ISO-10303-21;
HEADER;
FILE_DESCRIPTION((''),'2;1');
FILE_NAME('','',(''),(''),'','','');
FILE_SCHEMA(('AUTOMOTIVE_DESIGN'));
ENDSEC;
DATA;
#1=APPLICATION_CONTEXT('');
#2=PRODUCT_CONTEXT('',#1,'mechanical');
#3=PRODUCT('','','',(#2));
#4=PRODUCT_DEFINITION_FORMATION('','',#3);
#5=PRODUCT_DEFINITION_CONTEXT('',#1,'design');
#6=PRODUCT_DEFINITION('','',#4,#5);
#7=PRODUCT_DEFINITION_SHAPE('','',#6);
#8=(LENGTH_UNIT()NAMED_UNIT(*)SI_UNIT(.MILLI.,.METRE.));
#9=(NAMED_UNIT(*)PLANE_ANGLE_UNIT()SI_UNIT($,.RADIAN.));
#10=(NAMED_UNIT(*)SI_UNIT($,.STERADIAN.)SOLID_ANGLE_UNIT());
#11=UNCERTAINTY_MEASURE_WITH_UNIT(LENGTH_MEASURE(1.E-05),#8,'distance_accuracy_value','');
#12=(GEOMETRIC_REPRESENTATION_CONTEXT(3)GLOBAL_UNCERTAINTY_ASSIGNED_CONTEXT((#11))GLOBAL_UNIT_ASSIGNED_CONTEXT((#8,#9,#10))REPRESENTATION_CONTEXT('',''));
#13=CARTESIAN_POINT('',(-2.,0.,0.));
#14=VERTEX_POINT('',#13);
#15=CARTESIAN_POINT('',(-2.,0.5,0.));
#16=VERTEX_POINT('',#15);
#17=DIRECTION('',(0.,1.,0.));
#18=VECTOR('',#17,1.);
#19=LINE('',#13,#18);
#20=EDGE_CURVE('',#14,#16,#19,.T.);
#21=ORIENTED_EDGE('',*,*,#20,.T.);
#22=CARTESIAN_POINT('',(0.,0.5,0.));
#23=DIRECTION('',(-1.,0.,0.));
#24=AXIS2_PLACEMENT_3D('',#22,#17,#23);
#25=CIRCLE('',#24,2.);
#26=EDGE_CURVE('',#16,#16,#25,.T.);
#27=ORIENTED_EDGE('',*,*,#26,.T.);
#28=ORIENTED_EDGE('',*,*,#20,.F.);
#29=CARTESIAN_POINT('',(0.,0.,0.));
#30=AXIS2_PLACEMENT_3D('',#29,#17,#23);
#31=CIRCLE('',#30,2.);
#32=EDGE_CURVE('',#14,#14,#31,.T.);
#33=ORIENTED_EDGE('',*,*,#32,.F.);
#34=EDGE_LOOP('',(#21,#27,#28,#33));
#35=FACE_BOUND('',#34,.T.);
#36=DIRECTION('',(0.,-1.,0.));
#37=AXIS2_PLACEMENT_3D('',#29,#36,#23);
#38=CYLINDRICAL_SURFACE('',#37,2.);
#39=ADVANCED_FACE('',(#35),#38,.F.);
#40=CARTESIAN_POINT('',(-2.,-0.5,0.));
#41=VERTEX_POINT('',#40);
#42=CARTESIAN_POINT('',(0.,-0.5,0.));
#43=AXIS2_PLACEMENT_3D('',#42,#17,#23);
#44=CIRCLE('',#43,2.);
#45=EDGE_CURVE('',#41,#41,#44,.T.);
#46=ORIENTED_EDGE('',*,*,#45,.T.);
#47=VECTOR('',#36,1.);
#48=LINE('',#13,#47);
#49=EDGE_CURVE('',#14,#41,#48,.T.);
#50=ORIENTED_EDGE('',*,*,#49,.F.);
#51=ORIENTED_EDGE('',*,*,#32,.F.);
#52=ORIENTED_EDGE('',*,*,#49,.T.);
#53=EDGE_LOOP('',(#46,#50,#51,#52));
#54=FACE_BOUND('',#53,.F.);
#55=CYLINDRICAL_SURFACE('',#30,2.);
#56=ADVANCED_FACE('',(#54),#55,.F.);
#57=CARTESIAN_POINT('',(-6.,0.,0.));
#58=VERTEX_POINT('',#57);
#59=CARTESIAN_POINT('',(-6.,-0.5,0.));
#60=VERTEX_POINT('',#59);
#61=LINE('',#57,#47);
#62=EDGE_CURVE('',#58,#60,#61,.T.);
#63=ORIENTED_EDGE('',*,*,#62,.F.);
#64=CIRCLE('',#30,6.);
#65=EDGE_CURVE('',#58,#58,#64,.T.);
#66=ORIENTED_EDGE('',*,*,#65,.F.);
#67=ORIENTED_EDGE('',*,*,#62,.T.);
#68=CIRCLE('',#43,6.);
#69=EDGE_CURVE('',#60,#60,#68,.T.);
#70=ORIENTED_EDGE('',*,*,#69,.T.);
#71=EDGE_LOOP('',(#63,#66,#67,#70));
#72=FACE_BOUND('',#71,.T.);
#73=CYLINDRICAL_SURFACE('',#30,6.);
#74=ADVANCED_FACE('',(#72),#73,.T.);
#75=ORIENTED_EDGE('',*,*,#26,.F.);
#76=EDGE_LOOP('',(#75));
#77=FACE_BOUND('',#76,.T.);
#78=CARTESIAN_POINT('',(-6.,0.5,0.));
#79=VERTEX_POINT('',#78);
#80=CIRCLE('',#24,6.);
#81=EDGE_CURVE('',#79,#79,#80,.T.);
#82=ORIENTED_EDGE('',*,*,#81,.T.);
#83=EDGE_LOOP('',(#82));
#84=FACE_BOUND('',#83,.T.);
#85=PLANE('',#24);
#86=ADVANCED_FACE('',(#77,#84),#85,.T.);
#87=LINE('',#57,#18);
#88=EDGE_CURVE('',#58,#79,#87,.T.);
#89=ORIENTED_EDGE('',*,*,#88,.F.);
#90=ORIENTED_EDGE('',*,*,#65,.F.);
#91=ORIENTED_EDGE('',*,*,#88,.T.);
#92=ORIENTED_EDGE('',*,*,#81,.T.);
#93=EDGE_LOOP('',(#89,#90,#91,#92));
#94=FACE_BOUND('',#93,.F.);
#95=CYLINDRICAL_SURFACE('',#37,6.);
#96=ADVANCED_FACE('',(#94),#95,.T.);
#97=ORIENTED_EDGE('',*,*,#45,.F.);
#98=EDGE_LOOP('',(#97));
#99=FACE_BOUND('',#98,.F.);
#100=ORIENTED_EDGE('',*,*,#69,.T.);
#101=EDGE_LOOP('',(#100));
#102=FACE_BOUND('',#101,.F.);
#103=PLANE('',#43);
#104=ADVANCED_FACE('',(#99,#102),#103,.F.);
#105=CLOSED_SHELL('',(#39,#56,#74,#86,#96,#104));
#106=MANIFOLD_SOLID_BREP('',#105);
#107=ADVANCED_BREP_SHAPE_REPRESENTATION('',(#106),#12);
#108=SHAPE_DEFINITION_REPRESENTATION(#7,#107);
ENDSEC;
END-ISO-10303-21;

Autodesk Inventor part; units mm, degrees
ref_plane "YZ Plane" through (0, 0, 0) normal (1, 0, 0) x (0, 1, 0)
ref_plane "XZ Plane" through (0, 0, 0) normal (0, 1, 0) x (-1, 0, 0)
ref_plane "XY Plane" through (0, 0, 0) normal (0, 0, 1) x (1, 0, 0)
sketch "Sketch1" plane through (0, 0, 0) normal (0, 1, 0) x (-1, 0, 0)
  circle A0 centre (0, 0) radius 2
  circle A1 centre (0, 0) radius 6
  dimension "d0" = 4
  dimension "d1" = 12
extrude "Extrusion1" add sketch "Sketch1" along normal mid plane 1
properties part number "4mm ID x 12mm OD (1mm thickness) Washer"
